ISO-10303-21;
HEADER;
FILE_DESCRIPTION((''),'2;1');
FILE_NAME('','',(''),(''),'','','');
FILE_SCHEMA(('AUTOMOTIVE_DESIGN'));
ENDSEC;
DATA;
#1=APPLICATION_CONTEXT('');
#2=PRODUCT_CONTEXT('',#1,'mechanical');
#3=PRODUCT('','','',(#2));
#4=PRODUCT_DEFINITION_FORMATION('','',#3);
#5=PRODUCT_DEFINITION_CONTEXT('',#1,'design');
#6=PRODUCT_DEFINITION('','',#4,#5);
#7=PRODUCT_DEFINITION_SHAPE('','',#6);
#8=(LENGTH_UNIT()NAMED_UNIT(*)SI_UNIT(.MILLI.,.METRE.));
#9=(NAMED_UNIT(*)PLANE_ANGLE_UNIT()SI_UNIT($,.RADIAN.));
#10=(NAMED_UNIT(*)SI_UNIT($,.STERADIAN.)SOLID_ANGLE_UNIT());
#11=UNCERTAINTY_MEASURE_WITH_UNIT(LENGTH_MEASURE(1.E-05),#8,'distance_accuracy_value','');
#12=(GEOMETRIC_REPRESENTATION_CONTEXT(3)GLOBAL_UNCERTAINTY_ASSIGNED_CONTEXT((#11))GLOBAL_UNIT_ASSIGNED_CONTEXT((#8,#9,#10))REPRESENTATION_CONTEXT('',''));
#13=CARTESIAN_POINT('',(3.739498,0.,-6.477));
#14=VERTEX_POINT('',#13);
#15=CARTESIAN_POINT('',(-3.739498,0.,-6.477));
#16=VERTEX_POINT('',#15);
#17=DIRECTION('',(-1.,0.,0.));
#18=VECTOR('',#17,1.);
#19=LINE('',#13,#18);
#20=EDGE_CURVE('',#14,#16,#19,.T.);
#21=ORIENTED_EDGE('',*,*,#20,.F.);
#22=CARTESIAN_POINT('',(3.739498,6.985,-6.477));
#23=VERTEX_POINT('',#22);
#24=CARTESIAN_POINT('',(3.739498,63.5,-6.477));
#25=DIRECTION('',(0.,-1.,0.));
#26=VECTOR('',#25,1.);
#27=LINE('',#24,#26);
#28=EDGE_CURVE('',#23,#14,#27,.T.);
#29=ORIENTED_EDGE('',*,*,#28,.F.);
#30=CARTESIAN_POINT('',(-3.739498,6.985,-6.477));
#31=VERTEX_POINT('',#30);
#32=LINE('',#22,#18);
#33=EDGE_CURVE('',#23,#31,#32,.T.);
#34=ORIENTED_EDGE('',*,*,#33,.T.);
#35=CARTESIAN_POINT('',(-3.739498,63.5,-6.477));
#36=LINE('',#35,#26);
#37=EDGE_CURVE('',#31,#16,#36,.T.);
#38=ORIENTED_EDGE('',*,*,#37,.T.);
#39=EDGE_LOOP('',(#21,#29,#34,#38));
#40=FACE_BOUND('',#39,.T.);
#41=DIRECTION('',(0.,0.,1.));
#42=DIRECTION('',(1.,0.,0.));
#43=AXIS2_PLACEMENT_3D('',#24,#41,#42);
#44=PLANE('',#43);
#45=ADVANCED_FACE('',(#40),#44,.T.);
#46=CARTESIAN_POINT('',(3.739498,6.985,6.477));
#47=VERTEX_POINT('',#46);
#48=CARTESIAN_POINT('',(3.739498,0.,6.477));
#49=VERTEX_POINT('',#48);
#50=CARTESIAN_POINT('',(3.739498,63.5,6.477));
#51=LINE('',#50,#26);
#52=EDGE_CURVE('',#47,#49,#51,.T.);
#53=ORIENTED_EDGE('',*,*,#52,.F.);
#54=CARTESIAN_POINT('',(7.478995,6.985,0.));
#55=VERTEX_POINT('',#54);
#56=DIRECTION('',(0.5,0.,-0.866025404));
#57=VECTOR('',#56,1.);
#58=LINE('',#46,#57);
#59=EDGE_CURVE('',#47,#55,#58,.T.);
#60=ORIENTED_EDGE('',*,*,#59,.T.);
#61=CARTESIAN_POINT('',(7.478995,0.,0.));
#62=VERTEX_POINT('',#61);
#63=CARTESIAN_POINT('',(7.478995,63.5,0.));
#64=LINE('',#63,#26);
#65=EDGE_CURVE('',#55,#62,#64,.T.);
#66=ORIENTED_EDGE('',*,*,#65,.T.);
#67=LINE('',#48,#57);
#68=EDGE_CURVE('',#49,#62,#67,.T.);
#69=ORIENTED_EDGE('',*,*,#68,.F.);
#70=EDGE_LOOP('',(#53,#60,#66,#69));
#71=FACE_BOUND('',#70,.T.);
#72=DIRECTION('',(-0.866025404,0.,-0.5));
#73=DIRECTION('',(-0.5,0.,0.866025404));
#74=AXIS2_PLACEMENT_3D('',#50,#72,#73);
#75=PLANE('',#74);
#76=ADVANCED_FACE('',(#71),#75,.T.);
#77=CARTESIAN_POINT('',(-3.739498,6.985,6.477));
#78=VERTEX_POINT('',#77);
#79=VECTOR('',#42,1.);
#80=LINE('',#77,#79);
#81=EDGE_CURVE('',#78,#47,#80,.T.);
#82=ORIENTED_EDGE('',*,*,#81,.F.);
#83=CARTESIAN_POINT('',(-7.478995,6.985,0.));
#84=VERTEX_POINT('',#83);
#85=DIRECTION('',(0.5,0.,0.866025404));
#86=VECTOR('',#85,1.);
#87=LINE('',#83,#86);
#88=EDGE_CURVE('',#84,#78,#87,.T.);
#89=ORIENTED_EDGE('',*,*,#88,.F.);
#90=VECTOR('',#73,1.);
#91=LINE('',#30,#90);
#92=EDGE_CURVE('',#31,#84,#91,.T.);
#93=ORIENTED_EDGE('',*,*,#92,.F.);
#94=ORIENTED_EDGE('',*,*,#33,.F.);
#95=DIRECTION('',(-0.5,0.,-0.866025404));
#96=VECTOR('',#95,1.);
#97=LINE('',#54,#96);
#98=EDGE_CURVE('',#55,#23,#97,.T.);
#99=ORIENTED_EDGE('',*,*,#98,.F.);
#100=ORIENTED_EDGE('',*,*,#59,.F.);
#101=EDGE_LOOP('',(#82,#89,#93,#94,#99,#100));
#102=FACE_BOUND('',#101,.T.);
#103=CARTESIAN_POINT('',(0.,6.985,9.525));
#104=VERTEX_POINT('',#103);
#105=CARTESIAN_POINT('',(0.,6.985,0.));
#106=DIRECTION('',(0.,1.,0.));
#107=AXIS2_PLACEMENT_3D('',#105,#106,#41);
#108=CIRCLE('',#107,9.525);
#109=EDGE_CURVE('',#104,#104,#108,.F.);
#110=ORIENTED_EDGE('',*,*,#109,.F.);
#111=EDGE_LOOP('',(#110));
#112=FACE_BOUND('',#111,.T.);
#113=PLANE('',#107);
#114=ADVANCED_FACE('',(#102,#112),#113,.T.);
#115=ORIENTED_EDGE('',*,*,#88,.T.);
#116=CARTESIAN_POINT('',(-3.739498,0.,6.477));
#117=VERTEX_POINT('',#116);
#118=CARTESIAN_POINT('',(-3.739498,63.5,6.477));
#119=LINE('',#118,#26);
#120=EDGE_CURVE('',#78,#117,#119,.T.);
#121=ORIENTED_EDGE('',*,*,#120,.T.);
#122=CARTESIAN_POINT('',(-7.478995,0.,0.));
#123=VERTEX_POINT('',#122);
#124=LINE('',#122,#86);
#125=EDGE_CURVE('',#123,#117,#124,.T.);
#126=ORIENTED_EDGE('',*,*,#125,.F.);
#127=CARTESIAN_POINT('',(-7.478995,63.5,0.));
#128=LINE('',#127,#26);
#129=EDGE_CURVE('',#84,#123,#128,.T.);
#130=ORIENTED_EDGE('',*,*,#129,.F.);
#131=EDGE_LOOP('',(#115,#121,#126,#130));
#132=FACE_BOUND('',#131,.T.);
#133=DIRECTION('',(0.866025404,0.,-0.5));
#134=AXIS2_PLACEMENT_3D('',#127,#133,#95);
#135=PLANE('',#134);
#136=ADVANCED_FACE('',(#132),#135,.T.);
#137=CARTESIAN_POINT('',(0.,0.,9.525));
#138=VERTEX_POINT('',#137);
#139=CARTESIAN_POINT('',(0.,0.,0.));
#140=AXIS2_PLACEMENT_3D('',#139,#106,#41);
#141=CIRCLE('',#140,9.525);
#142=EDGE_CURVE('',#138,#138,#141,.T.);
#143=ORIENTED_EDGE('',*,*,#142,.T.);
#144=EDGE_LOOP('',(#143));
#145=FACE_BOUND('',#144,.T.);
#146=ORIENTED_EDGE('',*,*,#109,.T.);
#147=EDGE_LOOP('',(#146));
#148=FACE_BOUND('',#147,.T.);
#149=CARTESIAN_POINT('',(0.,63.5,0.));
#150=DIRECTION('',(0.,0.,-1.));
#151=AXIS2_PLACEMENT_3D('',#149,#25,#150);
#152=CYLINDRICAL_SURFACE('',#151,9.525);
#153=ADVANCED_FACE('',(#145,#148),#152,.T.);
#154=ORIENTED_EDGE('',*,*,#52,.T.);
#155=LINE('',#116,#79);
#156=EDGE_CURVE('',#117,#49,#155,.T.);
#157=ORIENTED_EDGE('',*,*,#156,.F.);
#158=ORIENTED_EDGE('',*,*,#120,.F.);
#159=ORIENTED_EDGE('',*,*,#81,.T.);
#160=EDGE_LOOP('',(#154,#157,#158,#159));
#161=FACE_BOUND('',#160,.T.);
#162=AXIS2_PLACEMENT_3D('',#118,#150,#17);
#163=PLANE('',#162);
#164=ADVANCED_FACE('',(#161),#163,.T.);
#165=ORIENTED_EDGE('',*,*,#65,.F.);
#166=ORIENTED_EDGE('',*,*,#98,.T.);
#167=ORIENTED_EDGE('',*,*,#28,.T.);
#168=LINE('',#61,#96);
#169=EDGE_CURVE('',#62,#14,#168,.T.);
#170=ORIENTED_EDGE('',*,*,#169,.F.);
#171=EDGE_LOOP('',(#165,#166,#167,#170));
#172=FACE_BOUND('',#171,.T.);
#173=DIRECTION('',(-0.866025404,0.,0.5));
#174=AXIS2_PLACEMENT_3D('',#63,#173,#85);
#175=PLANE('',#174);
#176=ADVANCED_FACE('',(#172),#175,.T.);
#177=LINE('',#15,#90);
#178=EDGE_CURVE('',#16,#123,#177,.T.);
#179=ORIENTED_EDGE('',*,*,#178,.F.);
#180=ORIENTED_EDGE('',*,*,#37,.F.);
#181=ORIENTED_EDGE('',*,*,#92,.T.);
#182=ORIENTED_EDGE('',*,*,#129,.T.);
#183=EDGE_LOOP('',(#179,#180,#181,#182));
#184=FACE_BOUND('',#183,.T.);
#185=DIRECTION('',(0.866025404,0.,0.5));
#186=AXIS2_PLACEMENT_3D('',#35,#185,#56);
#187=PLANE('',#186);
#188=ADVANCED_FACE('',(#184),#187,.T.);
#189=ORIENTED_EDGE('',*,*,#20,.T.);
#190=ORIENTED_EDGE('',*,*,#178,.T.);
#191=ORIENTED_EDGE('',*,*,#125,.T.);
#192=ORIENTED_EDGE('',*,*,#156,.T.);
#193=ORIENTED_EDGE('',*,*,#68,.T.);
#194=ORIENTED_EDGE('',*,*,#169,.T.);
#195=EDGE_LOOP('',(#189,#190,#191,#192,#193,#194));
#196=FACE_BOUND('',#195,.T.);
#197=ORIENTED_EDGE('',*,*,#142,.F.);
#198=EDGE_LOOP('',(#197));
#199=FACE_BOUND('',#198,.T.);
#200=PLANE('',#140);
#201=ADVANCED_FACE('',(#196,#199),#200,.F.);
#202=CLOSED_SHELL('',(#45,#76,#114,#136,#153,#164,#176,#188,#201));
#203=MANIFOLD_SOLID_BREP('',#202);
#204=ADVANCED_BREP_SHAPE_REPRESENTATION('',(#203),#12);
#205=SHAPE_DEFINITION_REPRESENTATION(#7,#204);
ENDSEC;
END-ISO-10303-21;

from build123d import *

# Parameters (mm, degrees)
SKETCH1_R           = 9.525
BOSS_EXTRUDE1_DEPTH = 63.5
CUT_EXTRUDE2_START  = -56.515
SKETCH3_R           = 9.525
CUT_EXTRUDE2_DEPTH  = 56.515


with BuildPart() as part:
    # Sketch1 → Boss-Extrude1 (new body)
    with BuildSketch(Plane(origin=(0, 0, 0), x_dir=(1, 0, 0), z_dir=(0, 1, 0))):
        with Locations(Location((0, 0, 0), (0, 0, 270))):
            Circle(SKETCH1_R)
        Polygon((7.478995387, 0), (3.739497694, 6.477), (-3.739497694, 6.477), (-7.478995387, 0), (-3.739497694, -6.477), (3.739497694, -6.477), align=None, mode=Mode.SUBTRACT)
    extrude(amount=BOSS_EXTRUDE1_DEPTH)

    # Sketch3 → Cut-Extrude2 (cut)
    with BuildSketch(Plane(origin=(0, 63.5, 0), x_dir=(1, 0, 0), z_dir=(0, 1, 0)).offset(CUT_EXTRUDE2_START)):
        with Locations(Location((0, 0, 0), (0, 0, 270))):
            Circle(SKETCH3_R)
    extrude(amount=CUT_EXTRUDE2_DEPTH, mode=Mode.SUBTRACT)


solid = part.part
